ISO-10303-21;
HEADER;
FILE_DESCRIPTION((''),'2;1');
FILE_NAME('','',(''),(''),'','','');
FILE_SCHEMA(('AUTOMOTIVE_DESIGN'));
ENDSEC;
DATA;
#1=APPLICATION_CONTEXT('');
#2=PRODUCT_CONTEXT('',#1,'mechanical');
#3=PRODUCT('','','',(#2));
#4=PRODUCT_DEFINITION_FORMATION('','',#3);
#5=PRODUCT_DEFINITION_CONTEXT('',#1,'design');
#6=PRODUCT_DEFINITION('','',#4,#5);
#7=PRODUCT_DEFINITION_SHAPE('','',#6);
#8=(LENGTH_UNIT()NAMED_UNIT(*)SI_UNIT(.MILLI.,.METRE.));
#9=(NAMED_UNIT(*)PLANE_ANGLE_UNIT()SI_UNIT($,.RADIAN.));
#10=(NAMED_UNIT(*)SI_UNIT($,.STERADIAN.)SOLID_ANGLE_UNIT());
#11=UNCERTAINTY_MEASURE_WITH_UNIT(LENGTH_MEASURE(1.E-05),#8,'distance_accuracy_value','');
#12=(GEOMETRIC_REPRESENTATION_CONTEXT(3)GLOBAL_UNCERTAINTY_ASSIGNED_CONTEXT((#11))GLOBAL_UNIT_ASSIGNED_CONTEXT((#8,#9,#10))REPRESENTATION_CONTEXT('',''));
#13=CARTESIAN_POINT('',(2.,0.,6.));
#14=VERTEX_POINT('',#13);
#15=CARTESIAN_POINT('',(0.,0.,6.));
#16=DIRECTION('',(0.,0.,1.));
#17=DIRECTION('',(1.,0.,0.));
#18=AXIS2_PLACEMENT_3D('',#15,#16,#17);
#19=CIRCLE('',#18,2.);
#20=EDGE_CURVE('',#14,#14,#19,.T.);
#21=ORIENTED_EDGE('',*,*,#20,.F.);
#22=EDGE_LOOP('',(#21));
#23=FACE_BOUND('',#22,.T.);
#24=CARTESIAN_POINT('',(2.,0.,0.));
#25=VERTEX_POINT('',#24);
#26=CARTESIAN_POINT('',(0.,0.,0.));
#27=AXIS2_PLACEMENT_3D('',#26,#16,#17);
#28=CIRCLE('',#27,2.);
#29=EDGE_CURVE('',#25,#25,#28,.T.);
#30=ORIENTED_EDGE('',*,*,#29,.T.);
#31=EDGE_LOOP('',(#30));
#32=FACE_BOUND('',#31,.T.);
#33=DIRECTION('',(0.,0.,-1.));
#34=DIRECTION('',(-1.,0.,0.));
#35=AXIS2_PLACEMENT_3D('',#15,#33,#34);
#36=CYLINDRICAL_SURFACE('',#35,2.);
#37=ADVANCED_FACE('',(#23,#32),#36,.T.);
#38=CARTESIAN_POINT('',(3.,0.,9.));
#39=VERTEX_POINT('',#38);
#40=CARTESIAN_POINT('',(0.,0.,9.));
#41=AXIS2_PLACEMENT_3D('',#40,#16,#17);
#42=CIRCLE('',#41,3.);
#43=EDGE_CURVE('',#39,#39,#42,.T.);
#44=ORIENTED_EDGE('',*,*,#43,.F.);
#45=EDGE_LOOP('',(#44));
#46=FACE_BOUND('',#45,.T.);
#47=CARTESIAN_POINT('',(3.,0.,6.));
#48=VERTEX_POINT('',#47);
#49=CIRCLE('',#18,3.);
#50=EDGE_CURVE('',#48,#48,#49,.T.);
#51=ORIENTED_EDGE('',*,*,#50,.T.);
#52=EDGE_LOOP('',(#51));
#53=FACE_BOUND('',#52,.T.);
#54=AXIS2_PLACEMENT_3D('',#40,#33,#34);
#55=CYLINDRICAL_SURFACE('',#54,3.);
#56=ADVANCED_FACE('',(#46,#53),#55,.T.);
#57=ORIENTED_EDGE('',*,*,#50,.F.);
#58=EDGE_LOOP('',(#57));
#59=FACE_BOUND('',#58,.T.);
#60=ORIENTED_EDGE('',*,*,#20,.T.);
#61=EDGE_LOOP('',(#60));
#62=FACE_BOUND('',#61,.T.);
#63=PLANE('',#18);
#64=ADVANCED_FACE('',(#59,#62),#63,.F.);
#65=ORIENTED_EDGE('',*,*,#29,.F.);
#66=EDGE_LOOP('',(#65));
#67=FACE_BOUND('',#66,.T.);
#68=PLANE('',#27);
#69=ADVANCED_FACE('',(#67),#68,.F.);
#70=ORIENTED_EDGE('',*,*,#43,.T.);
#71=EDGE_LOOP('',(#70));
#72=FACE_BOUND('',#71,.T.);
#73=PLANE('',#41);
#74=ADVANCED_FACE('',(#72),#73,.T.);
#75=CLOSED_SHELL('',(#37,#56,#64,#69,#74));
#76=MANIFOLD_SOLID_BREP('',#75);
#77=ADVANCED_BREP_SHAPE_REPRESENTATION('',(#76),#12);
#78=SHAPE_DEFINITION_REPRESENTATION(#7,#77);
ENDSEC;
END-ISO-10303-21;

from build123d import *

# Parameters (mm, degrees)
SKETCH_1_R      = 2
EXTRUDE_1_DEPTH = 6
SKETCH_2_R      = 3
EXTRUDE_2_DEPTH = 3


with BuildPart() as part:
    # 草图1 → 凸台-拉伸1 (new body)
    with BuildSketch(Plane.XY):
        Circle(SKETCH_1_R)
    extrude(amount=EXTRUDE_1_DEPTH)

    # 草图2 → 凸台-拉伸2 (add)
    with BuildSketch(Plane.XY.offset(6)):
        Circle(SKETCH_2_R)
    extrude(amount=EXTRUDE_2_DEPTH)


solid = part.part
